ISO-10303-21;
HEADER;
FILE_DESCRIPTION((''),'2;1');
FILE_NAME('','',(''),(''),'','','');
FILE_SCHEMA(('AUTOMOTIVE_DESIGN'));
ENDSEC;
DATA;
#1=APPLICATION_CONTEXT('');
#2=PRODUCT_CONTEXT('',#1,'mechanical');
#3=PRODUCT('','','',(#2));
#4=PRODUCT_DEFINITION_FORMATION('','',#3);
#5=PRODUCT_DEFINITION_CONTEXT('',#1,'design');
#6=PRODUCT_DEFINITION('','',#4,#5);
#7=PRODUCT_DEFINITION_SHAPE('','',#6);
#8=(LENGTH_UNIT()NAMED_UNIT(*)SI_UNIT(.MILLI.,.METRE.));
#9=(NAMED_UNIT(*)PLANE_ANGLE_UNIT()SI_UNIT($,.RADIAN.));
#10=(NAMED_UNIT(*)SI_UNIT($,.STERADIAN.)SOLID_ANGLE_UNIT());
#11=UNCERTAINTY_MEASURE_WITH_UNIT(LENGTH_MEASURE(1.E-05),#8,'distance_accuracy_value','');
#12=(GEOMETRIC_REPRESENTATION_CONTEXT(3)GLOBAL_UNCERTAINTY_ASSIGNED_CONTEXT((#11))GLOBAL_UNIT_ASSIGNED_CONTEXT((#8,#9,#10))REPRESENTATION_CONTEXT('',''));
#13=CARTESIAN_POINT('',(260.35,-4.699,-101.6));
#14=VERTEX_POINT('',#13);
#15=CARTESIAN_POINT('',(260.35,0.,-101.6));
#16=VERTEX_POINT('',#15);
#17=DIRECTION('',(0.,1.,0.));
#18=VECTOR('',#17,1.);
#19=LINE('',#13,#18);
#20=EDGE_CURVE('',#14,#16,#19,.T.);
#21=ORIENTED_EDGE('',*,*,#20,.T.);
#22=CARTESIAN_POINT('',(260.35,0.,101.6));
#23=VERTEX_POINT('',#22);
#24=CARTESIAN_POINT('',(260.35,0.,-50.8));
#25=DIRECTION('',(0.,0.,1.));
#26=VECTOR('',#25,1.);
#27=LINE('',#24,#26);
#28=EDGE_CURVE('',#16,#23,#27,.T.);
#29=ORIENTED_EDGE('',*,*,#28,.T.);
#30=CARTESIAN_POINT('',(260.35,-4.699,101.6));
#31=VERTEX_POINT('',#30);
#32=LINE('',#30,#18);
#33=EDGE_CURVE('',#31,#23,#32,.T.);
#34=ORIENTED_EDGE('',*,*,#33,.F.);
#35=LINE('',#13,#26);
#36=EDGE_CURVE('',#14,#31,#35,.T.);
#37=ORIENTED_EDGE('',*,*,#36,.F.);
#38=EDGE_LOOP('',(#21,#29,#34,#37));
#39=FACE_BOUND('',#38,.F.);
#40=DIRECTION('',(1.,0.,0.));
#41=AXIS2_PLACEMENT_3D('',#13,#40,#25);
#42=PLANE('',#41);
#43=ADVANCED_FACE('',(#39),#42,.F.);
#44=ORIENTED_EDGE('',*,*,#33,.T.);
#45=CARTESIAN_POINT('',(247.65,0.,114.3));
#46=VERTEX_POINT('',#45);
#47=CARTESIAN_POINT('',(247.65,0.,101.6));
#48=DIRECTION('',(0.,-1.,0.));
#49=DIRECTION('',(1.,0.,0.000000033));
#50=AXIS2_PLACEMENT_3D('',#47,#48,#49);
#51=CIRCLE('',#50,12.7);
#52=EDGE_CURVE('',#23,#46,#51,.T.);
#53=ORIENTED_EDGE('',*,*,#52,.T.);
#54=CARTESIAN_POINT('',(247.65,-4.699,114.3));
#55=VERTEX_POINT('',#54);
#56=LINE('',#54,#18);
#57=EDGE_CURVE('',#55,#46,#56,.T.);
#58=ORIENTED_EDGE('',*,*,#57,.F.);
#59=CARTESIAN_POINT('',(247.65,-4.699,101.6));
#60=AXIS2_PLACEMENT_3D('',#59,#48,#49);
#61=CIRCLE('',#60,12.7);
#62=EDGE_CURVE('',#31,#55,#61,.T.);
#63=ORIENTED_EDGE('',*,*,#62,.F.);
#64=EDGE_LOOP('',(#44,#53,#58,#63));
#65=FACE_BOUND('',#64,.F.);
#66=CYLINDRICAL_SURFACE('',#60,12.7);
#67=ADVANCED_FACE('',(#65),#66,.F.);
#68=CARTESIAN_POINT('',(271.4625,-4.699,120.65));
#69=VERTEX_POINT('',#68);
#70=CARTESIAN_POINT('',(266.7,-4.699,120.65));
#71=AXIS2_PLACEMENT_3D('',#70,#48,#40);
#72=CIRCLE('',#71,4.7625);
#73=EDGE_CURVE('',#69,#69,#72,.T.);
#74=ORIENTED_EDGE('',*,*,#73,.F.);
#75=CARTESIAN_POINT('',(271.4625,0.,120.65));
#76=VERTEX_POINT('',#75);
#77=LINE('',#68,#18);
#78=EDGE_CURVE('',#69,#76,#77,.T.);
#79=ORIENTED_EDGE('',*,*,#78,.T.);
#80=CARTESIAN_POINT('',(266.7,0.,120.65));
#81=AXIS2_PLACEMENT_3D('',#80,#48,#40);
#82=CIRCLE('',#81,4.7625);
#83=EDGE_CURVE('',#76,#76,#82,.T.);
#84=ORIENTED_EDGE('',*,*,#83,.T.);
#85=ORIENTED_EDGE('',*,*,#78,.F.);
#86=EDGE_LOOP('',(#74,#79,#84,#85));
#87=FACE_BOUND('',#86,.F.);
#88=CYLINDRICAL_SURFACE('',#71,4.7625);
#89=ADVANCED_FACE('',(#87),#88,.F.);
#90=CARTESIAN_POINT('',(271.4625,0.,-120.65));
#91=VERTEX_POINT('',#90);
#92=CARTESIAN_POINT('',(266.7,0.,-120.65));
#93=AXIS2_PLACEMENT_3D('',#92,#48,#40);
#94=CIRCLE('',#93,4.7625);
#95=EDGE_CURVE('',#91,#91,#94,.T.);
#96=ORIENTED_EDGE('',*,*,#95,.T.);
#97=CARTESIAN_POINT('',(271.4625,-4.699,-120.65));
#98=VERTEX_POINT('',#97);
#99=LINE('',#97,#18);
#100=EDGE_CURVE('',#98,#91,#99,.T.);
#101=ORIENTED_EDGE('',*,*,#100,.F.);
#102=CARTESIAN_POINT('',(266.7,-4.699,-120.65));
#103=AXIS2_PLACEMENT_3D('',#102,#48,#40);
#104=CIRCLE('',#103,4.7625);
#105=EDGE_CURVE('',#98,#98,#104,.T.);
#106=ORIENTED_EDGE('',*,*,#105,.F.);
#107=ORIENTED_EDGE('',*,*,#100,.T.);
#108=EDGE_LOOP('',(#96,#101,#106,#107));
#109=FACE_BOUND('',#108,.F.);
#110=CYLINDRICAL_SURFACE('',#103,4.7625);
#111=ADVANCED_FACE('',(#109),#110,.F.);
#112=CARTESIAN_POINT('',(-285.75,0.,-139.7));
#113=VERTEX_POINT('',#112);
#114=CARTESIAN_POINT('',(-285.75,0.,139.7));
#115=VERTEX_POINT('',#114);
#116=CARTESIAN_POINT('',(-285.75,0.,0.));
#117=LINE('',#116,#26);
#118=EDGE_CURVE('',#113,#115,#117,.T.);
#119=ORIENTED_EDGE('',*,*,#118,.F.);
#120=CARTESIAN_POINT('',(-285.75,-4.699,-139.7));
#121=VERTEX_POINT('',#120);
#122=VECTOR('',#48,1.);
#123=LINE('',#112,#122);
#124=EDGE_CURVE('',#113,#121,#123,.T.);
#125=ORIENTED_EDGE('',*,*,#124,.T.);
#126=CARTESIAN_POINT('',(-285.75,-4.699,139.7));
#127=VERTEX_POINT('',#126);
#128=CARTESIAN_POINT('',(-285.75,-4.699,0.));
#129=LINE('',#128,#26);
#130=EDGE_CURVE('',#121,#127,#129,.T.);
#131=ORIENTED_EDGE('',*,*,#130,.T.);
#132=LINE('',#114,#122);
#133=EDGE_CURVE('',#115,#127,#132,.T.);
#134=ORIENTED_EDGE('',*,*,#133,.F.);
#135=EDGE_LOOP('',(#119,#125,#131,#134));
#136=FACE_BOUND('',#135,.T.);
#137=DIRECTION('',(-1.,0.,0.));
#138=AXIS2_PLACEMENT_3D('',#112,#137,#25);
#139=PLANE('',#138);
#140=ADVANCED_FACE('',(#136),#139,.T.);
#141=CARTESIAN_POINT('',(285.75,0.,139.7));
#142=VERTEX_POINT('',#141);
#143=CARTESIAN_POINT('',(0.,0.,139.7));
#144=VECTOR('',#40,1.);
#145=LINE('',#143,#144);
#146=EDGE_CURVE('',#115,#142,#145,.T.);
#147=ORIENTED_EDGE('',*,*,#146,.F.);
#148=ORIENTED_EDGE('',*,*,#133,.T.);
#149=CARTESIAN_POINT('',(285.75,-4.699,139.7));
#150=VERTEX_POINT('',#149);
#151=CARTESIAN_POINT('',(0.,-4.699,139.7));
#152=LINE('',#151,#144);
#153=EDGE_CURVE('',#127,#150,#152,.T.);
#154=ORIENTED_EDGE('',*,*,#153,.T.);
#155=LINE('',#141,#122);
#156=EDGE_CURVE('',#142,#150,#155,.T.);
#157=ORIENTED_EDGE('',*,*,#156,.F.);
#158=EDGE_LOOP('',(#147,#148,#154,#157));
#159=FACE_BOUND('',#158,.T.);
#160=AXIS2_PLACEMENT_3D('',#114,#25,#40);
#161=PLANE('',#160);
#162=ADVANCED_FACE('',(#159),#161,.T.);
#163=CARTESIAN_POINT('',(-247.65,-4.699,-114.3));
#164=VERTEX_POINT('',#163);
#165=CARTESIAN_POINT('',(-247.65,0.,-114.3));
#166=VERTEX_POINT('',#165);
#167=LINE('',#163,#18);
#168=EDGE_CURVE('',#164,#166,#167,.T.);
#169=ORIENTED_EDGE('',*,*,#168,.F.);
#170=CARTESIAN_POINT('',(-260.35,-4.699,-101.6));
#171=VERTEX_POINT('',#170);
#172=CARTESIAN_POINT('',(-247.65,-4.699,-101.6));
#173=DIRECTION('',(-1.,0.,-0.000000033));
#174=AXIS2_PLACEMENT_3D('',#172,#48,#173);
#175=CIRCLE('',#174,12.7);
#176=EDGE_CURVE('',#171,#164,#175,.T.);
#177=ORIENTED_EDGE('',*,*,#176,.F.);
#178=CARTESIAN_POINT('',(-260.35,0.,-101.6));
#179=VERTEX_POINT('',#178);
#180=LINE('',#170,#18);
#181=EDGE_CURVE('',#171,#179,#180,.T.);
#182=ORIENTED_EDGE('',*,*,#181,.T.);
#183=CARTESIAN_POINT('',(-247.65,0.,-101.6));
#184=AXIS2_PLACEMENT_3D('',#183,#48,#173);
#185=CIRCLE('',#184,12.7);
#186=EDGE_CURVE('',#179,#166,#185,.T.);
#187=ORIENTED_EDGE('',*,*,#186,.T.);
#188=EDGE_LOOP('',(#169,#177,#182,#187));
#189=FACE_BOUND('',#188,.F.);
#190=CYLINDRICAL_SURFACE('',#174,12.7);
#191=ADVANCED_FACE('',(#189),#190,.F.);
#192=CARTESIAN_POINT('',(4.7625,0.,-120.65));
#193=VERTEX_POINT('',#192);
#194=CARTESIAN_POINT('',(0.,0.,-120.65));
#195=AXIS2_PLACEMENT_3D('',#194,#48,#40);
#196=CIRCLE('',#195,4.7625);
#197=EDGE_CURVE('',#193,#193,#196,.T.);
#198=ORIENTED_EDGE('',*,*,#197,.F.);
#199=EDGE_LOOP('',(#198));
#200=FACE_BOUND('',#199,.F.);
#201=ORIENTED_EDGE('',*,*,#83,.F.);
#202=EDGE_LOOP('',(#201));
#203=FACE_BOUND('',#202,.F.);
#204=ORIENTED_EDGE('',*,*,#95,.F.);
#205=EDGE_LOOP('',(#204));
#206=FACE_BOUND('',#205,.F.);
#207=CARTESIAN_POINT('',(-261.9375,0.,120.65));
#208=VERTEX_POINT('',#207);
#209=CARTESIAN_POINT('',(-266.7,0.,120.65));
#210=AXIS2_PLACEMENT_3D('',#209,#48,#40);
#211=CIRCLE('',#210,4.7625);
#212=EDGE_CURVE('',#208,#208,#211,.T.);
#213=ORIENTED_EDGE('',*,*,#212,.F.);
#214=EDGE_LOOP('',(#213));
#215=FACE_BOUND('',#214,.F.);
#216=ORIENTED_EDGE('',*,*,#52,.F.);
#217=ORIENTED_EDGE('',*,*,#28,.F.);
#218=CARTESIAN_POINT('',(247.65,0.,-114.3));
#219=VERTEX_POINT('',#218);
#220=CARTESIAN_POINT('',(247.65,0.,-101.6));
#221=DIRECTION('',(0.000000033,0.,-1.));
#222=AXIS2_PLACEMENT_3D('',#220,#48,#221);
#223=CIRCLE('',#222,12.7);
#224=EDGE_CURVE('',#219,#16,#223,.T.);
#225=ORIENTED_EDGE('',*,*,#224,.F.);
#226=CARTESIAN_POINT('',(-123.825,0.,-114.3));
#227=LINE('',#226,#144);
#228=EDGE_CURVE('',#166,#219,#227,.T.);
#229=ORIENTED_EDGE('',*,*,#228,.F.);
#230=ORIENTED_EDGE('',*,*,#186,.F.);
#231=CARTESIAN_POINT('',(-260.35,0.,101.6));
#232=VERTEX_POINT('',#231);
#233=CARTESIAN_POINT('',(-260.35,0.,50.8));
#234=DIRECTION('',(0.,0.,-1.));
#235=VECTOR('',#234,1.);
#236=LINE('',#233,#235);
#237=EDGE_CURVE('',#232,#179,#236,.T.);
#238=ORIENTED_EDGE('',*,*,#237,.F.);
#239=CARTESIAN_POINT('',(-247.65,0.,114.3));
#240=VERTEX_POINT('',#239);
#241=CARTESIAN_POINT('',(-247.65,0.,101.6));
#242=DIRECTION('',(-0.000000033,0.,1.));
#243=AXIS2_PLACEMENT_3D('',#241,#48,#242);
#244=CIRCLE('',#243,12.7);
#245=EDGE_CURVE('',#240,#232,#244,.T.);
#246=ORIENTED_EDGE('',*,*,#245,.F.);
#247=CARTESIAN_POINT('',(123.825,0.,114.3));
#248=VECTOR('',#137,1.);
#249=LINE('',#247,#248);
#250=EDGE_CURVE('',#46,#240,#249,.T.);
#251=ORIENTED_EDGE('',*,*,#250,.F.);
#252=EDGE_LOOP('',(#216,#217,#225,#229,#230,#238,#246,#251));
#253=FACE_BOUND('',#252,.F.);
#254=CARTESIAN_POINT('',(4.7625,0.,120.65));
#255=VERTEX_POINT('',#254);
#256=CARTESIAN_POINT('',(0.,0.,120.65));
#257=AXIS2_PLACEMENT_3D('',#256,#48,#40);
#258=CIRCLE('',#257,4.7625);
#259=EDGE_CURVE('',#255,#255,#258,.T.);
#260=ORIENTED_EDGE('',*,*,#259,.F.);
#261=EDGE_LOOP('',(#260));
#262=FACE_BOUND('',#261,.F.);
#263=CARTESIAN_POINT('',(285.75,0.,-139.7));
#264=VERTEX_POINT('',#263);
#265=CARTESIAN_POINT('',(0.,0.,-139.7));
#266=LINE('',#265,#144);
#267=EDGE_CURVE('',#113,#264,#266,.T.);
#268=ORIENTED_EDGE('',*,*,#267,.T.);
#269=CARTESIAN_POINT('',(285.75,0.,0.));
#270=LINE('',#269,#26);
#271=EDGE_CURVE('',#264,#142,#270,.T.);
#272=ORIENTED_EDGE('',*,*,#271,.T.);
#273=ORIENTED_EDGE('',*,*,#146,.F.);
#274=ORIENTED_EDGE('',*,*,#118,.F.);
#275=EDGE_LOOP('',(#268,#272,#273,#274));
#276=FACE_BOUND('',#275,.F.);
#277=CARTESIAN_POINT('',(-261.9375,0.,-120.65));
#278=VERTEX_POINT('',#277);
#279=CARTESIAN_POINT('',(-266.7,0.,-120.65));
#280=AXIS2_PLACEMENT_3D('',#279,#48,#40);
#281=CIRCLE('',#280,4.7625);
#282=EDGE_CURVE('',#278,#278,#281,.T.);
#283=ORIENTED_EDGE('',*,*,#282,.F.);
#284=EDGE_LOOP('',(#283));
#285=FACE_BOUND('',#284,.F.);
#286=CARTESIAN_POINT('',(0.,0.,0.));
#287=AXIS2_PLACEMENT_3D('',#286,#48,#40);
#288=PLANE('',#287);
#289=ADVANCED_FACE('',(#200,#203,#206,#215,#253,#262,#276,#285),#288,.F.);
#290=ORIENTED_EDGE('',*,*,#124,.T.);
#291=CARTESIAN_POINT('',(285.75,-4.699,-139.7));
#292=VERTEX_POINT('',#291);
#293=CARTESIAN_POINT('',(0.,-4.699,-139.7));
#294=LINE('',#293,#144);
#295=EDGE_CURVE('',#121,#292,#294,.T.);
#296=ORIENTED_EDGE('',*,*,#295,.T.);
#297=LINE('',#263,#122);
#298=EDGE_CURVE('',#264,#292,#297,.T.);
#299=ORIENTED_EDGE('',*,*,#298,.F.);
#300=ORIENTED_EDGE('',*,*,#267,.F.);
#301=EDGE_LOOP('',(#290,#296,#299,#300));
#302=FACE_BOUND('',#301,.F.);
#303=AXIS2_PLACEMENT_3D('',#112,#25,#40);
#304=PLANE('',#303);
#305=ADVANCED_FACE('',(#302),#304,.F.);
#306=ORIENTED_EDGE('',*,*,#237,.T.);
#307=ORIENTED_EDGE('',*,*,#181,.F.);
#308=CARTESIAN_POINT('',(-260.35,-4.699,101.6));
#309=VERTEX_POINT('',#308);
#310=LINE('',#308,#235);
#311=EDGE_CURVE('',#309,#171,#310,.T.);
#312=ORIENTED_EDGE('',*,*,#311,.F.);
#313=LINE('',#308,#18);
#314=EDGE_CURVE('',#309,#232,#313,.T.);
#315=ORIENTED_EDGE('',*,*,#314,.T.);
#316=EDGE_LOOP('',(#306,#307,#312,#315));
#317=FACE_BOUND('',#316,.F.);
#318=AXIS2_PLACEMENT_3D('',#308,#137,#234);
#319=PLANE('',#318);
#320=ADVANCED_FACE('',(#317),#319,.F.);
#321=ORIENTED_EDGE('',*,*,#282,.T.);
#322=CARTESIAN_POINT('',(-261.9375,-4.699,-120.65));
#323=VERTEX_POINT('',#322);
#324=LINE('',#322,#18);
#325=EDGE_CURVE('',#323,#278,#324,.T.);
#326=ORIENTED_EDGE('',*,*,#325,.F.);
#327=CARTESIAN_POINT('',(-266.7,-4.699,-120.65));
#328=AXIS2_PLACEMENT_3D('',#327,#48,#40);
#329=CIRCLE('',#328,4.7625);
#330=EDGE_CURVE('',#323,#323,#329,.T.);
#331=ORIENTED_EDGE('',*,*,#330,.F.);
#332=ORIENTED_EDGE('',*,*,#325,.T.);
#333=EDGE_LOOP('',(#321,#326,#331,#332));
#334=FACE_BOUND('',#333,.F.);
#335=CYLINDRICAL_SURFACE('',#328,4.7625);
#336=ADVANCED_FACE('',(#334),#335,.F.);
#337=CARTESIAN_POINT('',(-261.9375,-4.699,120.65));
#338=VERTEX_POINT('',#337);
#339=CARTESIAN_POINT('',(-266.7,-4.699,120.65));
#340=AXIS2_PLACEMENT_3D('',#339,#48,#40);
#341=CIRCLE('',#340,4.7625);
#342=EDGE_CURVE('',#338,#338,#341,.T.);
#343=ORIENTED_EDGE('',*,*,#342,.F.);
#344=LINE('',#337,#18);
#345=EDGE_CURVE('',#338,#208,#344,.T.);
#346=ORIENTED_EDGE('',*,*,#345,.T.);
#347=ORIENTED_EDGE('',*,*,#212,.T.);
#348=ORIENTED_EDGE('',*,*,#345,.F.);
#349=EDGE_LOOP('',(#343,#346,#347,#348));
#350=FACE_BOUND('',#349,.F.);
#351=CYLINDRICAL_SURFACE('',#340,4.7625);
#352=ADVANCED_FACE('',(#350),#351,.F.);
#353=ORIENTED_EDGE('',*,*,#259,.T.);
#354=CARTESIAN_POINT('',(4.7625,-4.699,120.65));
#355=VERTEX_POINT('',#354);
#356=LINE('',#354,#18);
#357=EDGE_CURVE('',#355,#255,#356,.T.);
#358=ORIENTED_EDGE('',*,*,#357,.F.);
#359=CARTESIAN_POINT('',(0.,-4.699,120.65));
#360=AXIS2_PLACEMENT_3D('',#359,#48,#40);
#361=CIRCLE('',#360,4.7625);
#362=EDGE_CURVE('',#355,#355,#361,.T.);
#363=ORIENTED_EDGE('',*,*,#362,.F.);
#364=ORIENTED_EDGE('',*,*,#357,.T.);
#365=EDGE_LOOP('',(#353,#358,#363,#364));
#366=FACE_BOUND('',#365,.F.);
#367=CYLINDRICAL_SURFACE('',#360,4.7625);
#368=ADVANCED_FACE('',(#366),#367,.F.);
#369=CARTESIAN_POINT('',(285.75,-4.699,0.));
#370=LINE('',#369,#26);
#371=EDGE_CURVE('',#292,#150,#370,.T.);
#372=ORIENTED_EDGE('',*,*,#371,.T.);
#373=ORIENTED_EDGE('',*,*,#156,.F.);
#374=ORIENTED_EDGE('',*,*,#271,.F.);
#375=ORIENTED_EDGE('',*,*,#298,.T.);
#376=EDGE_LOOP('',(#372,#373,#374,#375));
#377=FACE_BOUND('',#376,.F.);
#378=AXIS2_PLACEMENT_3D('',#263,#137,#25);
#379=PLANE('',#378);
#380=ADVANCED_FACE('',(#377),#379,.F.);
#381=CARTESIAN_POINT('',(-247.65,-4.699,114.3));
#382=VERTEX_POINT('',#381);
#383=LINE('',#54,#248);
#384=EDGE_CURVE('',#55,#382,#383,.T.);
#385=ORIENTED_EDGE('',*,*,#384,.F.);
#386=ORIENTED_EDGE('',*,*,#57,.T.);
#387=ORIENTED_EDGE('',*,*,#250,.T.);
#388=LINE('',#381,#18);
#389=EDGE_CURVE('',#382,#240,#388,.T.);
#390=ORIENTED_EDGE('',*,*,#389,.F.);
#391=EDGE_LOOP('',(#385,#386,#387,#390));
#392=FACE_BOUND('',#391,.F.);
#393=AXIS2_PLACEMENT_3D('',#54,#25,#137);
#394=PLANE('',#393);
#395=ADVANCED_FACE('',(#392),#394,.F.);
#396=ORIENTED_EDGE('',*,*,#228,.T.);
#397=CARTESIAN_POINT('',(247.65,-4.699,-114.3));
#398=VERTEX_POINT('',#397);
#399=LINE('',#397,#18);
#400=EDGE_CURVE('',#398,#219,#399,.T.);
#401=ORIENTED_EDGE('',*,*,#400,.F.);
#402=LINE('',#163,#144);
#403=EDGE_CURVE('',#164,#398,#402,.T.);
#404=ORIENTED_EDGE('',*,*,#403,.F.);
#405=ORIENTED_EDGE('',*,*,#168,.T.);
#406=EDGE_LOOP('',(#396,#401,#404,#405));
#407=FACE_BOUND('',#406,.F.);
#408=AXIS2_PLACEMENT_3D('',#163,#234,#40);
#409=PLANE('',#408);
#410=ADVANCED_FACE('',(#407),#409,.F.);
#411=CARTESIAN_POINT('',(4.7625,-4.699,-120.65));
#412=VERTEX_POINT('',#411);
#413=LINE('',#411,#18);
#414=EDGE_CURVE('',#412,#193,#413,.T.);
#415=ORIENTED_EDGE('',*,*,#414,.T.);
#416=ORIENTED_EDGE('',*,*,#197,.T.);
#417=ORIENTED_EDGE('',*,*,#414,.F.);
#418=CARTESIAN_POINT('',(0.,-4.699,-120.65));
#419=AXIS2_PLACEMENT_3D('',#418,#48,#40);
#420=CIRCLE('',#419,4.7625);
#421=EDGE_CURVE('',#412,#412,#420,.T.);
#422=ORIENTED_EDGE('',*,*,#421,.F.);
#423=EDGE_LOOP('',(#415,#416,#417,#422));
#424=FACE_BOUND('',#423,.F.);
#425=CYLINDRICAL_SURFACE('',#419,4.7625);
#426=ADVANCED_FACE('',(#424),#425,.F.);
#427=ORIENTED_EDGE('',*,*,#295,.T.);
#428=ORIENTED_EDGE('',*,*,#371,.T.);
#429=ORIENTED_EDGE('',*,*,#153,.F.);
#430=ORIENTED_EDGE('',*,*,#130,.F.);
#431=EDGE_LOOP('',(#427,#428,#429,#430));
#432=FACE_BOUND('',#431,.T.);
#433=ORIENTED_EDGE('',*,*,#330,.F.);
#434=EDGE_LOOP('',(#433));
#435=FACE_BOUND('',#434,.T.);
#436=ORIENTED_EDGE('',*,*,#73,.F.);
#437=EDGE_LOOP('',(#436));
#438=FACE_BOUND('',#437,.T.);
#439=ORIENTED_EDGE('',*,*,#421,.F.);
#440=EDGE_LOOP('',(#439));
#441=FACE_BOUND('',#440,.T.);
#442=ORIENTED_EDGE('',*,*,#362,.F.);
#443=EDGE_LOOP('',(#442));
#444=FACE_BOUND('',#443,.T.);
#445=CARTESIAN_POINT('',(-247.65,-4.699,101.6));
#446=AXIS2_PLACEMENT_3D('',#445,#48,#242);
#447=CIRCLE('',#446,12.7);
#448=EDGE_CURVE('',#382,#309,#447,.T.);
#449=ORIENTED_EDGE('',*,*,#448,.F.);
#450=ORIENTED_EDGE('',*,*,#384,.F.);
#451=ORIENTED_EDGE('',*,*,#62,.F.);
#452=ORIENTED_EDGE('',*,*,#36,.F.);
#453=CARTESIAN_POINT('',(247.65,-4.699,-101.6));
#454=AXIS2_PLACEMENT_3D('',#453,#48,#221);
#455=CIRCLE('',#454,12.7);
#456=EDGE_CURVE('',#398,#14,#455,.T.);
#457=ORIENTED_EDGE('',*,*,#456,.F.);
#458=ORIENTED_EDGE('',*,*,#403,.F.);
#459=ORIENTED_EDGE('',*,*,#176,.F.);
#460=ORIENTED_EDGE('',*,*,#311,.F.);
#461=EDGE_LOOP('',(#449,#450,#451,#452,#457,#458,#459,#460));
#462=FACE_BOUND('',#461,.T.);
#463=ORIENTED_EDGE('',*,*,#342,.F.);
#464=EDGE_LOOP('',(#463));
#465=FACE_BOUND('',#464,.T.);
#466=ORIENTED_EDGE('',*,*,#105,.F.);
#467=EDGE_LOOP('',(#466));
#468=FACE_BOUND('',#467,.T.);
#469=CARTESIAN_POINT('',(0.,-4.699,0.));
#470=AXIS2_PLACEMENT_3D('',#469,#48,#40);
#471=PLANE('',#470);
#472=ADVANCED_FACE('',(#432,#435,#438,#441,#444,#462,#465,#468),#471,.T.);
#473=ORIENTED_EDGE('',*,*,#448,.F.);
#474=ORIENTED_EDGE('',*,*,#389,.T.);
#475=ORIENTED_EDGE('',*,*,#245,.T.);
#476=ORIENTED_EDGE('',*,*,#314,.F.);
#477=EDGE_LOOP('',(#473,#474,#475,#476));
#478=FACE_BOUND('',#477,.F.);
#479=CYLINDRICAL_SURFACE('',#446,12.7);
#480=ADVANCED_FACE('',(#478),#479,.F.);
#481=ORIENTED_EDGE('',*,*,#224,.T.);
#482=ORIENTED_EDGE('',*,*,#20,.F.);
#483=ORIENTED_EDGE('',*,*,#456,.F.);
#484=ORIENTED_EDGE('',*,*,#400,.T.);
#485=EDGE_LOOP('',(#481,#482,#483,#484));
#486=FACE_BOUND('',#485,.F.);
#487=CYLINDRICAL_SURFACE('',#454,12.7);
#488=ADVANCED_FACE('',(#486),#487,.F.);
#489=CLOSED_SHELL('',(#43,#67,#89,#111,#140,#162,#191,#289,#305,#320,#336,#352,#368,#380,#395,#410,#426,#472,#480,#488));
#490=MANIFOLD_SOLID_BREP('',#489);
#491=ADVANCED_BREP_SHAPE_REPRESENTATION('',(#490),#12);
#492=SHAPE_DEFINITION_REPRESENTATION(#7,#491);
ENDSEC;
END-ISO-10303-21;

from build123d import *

# Parameters (mm, degrees)
F0_W     = 571.5
F0_H     = 279.4
F1_DEPTH = 4.699
F3_DEPTH = 4.7
F4_R     = 4.7625
F5_DEPTH = 4.7


with BuildPart() as f1:
    # F0 (on Front) → F1 (new body)
    with BuildSketch(Plane.XZ):
        Rectangle(F0_W, F0_H)
    extrude(amount=F1_DEPTH)

    # F2 (on face) → F3 (cut, through all)
    with BuildSketch(Plane.XZ.offset(4.699)):
        with BuildLine():
            Line((247.65, 114.3), (-247.65, 114.3))
            ThreePointArc((-247.65, 114.3), (-256.630256, 110.580256), (-260.35, 101.6))
            Line((-260.35, 101.6), (-260.35, -101.6))
            ThreePointArc((-260.35, -101.6), (-256.630256, -110.580256), (-247.65, -114.3))
            Line((-247.65, -114.3), (247.65, -114.3))
            ThreePointArc((247.65, -114.3), (256.630256, -110.580256), (260.35, -101.6))
            Line((260.35, -101.6), (260.35, 101.6))
            ThreePointArc((260.35, 101.6), (256.630256, 110.580256), (247.65, 114.3))
        make_face()
    extrude(amount=-F3_DEPTH, mode=Mode.SUBTRACT)

    # F4 (on face) → F5 (cut, through all)
    with BuildSketch(Plane.XZ.offset(4.699)):
        with Locations((-266.7, -120.65)):
            Circle(F4_R)
        with Locations((0, -120.65)):
            Circle(F4_R)
        with Locations((266.7, -120.65)):
            Circle(F4_R)
        with Locations((266.7, 120.65)):
            Circle(F4_R)
        with Locations((0, 120.65)):
            Circle(F4_R)
        with Locations((-266.7, 120.65)):
            Circle(F4_R)
    extrude(amount=-F5_DEPTH, mode=Mode.SUBTRACT)


solid = f1.part
